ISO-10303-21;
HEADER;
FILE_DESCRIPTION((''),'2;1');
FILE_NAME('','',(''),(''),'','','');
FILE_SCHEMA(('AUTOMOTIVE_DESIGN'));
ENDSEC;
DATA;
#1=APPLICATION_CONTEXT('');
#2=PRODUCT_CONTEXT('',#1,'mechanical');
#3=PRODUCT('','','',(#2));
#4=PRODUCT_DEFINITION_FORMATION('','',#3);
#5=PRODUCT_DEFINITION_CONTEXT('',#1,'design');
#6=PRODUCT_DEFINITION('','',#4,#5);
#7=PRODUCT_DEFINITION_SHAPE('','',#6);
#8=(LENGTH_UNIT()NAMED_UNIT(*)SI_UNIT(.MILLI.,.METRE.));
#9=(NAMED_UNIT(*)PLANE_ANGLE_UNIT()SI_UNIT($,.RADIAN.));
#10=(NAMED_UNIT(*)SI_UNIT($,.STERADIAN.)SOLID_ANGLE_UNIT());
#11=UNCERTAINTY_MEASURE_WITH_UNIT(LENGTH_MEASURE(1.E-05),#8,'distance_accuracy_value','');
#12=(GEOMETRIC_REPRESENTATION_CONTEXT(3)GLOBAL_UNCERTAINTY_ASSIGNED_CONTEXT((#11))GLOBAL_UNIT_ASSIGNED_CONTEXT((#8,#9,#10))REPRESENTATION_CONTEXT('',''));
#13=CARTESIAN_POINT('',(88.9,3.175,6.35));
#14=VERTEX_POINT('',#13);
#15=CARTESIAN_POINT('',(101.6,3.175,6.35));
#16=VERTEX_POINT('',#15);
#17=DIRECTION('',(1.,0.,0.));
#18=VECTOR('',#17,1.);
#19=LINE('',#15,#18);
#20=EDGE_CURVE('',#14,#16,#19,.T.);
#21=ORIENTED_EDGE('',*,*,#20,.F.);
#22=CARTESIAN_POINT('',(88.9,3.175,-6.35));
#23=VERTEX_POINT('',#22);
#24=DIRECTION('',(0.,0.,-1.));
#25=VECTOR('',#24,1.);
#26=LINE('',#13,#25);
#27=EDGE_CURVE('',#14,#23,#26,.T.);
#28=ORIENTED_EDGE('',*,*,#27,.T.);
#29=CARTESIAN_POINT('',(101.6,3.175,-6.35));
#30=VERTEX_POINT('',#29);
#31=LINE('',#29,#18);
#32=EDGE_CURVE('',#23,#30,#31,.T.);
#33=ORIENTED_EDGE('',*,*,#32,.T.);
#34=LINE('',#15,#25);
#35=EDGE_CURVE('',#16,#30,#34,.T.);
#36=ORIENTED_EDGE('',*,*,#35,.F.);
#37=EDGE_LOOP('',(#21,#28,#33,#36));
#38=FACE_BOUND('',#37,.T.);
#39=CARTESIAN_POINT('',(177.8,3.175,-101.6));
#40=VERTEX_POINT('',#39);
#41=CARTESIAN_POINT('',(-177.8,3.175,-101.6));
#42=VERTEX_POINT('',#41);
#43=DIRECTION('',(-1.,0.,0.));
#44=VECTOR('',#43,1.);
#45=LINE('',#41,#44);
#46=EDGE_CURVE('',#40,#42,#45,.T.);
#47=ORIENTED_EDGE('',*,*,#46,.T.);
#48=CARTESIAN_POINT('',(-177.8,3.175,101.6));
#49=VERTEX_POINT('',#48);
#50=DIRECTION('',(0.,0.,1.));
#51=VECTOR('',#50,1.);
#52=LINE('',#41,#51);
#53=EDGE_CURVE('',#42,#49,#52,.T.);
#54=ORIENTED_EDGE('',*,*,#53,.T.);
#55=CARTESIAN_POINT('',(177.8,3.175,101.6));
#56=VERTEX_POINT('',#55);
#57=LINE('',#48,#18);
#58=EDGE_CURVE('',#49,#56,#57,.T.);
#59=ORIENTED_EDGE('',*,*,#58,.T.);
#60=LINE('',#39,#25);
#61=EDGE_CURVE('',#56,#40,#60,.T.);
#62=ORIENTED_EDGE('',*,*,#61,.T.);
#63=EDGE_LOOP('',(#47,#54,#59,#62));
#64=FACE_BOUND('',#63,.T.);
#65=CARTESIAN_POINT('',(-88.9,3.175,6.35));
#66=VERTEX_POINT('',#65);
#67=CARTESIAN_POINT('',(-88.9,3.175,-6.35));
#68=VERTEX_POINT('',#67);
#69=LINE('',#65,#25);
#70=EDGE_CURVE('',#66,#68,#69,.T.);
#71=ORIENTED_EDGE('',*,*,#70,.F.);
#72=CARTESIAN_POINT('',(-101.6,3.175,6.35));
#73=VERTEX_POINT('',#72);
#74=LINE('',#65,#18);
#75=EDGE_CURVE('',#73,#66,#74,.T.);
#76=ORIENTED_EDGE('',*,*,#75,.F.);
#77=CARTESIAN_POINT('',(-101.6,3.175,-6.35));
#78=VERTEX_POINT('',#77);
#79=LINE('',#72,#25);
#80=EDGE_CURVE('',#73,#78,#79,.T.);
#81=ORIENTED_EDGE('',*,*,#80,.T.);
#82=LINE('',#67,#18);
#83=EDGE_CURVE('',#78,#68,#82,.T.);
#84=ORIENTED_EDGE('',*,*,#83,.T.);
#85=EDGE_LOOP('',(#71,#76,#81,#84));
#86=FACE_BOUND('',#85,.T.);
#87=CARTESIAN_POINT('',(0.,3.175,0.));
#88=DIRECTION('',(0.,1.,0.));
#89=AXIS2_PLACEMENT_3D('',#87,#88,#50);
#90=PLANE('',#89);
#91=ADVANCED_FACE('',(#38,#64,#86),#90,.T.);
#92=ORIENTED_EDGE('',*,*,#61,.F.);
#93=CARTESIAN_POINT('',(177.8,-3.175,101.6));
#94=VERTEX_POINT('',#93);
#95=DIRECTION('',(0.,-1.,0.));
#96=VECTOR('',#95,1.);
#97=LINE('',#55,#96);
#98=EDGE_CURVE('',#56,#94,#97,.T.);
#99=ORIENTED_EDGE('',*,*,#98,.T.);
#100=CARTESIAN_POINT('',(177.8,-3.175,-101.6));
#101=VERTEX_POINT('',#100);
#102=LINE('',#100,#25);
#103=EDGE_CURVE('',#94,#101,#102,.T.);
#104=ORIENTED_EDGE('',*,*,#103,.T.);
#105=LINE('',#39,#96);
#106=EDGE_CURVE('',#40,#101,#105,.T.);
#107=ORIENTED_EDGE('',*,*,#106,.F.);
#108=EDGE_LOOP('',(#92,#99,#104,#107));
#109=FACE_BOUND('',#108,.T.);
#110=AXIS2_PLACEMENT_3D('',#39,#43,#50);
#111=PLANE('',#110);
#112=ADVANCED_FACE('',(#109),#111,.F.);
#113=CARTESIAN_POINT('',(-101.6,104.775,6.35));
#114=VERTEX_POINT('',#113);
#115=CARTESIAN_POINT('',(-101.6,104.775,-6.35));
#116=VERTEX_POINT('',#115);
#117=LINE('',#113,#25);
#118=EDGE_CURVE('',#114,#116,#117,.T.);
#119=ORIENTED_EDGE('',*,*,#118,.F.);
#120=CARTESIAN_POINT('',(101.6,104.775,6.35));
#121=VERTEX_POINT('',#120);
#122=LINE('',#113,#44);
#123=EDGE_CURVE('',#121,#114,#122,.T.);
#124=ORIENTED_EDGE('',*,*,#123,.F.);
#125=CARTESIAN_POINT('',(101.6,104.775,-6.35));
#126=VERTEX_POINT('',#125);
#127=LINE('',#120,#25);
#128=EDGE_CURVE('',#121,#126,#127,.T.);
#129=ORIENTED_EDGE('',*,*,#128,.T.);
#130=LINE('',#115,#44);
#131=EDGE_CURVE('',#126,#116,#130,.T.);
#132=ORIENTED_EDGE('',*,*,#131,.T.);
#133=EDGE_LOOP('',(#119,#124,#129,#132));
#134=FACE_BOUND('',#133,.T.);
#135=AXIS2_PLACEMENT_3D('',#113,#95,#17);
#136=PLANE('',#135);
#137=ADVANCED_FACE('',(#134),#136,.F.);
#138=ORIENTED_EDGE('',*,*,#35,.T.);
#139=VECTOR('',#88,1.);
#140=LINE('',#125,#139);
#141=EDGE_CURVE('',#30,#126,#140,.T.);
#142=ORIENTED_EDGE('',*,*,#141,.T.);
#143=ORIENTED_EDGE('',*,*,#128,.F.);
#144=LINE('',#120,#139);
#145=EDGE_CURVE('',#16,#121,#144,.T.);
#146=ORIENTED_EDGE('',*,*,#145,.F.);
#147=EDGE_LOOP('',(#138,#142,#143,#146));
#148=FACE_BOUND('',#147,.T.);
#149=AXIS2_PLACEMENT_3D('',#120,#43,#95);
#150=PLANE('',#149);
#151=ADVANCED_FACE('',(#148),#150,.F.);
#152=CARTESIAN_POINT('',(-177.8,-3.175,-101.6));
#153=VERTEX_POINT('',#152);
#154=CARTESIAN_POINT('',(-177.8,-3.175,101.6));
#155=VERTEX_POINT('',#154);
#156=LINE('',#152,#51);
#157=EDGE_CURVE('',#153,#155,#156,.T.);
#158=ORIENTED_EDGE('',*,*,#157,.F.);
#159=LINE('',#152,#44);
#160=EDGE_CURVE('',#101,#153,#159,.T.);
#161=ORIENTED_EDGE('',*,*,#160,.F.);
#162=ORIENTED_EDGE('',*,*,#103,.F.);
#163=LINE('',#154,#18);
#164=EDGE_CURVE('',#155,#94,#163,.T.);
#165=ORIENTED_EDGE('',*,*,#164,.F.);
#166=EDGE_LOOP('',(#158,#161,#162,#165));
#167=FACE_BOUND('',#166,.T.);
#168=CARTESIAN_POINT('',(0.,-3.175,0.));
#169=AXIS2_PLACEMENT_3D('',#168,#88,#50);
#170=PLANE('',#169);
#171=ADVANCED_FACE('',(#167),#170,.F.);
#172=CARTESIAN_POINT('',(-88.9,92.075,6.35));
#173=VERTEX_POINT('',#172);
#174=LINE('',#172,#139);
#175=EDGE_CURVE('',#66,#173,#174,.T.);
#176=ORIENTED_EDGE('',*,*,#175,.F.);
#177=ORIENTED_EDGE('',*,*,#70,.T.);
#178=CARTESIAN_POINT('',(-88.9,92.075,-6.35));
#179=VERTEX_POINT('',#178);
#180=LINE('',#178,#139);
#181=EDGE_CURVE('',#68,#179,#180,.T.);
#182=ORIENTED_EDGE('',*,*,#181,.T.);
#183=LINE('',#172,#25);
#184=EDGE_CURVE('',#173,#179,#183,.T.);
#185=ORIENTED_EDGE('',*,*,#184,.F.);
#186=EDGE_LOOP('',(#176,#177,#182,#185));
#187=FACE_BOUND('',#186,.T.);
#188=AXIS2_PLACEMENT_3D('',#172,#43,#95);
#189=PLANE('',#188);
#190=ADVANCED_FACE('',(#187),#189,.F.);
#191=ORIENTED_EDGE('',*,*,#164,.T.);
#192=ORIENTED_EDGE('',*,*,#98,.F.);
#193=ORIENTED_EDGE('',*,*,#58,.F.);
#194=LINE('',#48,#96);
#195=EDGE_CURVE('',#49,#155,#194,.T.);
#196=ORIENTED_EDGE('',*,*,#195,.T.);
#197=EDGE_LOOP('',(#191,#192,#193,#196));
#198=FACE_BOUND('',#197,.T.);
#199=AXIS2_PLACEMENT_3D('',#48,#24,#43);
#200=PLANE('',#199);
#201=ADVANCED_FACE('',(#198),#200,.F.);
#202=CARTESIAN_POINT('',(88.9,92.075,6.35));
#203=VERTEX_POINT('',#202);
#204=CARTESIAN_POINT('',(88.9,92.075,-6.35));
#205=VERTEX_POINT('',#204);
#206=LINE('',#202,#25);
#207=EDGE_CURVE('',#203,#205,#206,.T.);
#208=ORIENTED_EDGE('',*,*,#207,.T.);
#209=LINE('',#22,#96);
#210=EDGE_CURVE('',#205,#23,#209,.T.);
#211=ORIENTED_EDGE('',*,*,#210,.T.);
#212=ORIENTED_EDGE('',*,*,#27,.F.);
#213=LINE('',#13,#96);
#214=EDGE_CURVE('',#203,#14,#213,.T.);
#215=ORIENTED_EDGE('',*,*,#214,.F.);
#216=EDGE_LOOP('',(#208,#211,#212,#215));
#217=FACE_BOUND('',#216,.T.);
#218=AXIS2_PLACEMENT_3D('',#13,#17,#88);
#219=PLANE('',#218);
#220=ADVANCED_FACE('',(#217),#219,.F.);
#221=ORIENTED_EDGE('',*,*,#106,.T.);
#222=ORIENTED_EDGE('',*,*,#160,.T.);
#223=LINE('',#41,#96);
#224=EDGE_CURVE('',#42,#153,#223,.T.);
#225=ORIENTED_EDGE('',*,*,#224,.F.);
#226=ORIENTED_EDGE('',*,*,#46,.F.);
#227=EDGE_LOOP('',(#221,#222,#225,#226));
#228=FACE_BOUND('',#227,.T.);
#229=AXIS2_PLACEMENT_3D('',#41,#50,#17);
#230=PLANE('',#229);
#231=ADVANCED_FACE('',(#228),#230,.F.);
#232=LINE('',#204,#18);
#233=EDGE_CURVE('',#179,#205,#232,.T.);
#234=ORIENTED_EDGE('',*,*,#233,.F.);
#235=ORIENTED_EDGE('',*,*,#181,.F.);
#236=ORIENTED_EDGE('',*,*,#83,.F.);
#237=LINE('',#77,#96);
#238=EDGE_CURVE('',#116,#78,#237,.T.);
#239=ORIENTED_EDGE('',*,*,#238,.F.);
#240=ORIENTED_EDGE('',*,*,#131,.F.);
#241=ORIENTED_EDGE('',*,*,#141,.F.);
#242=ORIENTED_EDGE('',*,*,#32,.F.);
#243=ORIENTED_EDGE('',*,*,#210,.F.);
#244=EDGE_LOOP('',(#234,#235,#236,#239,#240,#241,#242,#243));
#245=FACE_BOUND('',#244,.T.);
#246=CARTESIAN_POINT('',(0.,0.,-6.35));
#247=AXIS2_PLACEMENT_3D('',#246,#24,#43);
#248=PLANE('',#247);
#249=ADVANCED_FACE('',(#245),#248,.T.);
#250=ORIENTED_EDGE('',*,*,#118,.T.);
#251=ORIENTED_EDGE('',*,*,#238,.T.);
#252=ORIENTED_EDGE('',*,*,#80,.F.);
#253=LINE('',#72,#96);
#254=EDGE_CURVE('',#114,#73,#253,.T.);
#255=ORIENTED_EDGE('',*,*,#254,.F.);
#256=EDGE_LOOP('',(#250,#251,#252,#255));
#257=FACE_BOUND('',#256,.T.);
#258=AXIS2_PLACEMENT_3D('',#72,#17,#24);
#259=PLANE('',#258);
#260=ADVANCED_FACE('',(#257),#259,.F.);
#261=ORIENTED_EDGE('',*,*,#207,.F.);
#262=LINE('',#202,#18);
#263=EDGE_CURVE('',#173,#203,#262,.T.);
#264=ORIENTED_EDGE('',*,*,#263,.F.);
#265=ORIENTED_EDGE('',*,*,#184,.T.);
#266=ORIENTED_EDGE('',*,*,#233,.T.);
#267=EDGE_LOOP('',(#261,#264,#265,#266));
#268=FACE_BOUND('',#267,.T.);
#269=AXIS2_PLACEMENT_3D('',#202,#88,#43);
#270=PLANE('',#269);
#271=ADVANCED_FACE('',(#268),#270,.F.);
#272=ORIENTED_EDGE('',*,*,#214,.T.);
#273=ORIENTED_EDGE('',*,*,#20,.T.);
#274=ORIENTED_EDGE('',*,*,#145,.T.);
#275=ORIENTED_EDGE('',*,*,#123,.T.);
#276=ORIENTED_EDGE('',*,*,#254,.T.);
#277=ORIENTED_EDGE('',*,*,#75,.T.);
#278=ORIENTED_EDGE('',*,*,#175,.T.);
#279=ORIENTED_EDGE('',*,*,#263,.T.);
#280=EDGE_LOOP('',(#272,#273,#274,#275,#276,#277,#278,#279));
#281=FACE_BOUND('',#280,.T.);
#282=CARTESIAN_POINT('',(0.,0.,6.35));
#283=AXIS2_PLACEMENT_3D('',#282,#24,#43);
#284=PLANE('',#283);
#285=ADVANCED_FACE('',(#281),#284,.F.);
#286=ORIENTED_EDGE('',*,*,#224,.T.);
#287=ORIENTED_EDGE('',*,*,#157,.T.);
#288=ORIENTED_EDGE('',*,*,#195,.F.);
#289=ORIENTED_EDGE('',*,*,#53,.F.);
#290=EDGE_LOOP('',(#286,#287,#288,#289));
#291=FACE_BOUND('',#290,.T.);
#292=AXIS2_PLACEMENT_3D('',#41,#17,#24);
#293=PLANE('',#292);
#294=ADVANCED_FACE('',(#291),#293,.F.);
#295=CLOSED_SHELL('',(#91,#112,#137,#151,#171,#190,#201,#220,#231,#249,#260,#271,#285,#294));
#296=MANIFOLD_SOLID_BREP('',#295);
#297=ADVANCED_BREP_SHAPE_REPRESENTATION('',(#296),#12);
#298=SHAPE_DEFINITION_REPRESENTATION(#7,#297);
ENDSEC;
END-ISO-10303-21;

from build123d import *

# Parameters (mm, degrees)
SKETCH1_W           = 355.6
SKETCH1_H           = 203.2
BOSS_EXTRUDE1_DEPTH = 3.175
BOSS_EXTRUDE2_DEPTH = 6.35


with BuildPart() as part:
    # Sketch1 → Boss-Extrude1 (new body, symmetric)
    with BuildSketch(Plane(origin=(0, 0, 0), x_dir=(1, 0, 0), z_dir=(0, 1, 0))):
        Rectangle(SKETCH1_W, SKETCH1_H)
    extrude(amount=BOSS_EXTRUDE1_DEPTH, both=True)

    # Sketch2 → Boss-Extrude2 (add, symmetric)
    with BuildSketch(Plane.XY):
        Polygon((-101.6, 3.175), (-101.6, 104.775), (101.6, 104.775), (101.6, 3.175), (88.9, 3.175), (88.9, 92.075), (-88.9, 92.075), (-88.9, 3.175), align=None)
    extrude(amount=BOSS_EXTRUDE2_DEPTH, both=True)


solid = part.part
